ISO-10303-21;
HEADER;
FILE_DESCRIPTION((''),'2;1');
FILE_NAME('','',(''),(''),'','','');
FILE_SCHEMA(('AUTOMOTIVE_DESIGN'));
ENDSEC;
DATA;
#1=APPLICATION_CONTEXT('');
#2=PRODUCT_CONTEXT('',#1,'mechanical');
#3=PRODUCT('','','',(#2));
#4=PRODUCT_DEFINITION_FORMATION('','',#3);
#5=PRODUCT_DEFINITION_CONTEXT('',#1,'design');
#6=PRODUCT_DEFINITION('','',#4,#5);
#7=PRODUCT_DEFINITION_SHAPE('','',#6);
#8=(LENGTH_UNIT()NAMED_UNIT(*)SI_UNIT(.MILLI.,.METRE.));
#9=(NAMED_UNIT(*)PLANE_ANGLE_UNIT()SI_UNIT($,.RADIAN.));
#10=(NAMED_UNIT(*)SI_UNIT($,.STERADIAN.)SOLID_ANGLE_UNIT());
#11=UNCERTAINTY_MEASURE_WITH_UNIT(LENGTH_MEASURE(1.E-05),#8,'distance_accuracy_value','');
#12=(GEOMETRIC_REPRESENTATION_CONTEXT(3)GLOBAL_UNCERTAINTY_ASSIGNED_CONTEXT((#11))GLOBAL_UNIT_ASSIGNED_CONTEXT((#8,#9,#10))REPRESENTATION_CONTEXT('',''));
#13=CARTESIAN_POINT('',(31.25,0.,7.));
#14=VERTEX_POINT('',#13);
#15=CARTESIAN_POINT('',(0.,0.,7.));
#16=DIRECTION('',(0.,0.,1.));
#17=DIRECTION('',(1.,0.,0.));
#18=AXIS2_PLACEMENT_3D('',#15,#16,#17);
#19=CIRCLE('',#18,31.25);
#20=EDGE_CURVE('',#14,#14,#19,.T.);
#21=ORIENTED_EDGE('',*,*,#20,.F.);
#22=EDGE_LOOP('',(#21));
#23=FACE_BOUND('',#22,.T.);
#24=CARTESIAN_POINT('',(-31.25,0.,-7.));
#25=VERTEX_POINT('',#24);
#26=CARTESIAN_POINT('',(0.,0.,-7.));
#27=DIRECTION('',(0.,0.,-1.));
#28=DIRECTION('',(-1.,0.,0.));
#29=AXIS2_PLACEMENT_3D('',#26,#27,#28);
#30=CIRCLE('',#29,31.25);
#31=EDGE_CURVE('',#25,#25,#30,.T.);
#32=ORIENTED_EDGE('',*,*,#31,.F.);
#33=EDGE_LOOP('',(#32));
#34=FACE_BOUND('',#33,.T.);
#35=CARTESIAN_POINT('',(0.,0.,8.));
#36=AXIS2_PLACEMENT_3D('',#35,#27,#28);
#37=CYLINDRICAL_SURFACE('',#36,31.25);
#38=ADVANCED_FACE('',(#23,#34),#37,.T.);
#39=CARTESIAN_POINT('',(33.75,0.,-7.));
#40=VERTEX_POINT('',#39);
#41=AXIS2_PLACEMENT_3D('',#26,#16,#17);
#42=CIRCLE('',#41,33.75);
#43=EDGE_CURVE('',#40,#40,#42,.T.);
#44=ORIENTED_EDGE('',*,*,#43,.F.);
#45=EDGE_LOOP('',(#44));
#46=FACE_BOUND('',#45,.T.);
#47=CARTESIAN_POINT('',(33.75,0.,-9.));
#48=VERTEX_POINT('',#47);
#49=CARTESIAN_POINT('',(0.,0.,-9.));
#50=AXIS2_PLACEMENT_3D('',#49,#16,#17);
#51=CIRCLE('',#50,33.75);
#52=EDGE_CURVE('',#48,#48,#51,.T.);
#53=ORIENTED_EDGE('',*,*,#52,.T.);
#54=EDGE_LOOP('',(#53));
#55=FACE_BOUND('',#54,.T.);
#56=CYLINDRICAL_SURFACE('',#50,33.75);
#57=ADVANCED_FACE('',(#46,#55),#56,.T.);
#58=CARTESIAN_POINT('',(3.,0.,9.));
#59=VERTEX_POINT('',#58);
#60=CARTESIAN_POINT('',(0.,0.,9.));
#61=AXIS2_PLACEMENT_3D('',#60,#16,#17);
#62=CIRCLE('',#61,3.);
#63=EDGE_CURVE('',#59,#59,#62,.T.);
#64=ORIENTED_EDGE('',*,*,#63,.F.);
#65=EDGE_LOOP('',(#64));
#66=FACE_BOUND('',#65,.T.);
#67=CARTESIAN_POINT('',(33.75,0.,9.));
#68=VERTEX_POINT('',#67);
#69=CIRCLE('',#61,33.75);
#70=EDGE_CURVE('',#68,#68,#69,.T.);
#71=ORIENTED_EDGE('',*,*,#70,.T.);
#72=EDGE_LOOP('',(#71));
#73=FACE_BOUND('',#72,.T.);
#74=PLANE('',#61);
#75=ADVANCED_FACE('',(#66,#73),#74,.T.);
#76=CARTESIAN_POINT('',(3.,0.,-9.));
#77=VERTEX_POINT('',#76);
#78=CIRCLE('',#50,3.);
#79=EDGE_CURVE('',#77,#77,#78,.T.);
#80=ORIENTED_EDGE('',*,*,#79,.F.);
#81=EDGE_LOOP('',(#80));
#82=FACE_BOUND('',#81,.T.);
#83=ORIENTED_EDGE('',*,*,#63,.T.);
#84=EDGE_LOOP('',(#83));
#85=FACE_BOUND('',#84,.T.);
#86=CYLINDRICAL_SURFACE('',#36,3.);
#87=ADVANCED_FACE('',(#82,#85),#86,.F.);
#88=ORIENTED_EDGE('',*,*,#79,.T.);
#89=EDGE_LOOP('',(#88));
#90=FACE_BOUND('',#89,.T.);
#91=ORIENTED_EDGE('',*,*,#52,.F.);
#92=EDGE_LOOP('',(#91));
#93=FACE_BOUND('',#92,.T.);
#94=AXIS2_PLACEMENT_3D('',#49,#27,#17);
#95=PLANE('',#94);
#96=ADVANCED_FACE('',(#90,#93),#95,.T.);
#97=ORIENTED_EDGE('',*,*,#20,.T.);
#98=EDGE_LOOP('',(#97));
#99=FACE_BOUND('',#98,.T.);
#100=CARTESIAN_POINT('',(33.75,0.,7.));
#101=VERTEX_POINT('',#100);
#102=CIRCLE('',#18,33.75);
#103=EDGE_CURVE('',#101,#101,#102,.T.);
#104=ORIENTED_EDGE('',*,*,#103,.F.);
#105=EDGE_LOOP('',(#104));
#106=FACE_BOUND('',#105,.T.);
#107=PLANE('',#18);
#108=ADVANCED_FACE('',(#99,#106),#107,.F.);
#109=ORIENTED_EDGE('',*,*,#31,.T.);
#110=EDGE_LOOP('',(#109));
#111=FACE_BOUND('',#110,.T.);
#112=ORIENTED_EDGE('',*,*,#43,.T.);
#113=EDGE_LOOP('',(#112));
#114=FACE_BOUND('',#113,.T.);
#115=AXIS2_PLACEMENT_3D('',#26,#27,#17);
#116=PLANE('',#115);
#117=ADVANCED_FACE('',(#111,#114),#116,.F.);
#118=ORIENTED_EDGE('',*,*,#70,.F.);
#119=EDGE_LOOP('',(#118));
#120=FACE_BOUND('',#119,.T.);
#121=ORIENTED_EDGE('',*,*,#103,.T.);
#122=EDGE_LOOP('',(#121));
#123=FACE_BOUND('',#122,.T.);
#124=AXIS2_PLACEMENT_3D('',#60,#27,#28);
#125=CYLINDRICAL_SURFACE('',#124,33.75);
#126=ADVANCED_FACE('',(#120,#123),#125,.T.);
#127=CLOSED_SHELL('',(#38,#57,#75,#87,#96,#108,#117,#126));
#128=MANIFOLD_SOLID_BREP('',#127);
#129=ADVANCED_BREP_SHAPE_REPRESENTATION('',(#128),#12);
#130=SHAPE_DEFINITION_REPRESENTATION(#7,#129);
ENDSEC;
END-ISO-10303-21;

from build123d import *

# Parameters (mm, degrees)
SKETCH1_R           = 31.25
SKETCH1_R_2         = 3
BOSS_EXTRUDE1_DEPTH = 8
SKETCH2_R           = 33.75
SKETCH2_R_2         = 3
BOSS_EXTRUDE2_DEPTH = 1


with BuildPart() as part:
    # Sketch1 → Boss-Extrude1 (new, symmetric)
    with BuildSketch(Plane.XY):
        Circle(SKETCH1_R)
        Circle(SKETCH1_R_2, mode=Mode.SUBTRACT)
    extrude(amount=BOSS_EXTRUDE1_DEPTH, both=True)

    # Sketch2 → Boss-Extrude2 (add, symmetric)
    with BuildSketch(Plane.XY.offset(8)):
        Circle(SKETCH2_R)
        Circle(SKETCH2_R_2, mode=Mode.SUBTRACT)
    boss_extrude2 = extrude(amount=BOSS_EXTRUDE2_DEPTH, both=True)

    # Mirror1: Boss-Extrude2 across plane
    add(boss_extrude2.mirror(Plane.XY))


solid = part.part
